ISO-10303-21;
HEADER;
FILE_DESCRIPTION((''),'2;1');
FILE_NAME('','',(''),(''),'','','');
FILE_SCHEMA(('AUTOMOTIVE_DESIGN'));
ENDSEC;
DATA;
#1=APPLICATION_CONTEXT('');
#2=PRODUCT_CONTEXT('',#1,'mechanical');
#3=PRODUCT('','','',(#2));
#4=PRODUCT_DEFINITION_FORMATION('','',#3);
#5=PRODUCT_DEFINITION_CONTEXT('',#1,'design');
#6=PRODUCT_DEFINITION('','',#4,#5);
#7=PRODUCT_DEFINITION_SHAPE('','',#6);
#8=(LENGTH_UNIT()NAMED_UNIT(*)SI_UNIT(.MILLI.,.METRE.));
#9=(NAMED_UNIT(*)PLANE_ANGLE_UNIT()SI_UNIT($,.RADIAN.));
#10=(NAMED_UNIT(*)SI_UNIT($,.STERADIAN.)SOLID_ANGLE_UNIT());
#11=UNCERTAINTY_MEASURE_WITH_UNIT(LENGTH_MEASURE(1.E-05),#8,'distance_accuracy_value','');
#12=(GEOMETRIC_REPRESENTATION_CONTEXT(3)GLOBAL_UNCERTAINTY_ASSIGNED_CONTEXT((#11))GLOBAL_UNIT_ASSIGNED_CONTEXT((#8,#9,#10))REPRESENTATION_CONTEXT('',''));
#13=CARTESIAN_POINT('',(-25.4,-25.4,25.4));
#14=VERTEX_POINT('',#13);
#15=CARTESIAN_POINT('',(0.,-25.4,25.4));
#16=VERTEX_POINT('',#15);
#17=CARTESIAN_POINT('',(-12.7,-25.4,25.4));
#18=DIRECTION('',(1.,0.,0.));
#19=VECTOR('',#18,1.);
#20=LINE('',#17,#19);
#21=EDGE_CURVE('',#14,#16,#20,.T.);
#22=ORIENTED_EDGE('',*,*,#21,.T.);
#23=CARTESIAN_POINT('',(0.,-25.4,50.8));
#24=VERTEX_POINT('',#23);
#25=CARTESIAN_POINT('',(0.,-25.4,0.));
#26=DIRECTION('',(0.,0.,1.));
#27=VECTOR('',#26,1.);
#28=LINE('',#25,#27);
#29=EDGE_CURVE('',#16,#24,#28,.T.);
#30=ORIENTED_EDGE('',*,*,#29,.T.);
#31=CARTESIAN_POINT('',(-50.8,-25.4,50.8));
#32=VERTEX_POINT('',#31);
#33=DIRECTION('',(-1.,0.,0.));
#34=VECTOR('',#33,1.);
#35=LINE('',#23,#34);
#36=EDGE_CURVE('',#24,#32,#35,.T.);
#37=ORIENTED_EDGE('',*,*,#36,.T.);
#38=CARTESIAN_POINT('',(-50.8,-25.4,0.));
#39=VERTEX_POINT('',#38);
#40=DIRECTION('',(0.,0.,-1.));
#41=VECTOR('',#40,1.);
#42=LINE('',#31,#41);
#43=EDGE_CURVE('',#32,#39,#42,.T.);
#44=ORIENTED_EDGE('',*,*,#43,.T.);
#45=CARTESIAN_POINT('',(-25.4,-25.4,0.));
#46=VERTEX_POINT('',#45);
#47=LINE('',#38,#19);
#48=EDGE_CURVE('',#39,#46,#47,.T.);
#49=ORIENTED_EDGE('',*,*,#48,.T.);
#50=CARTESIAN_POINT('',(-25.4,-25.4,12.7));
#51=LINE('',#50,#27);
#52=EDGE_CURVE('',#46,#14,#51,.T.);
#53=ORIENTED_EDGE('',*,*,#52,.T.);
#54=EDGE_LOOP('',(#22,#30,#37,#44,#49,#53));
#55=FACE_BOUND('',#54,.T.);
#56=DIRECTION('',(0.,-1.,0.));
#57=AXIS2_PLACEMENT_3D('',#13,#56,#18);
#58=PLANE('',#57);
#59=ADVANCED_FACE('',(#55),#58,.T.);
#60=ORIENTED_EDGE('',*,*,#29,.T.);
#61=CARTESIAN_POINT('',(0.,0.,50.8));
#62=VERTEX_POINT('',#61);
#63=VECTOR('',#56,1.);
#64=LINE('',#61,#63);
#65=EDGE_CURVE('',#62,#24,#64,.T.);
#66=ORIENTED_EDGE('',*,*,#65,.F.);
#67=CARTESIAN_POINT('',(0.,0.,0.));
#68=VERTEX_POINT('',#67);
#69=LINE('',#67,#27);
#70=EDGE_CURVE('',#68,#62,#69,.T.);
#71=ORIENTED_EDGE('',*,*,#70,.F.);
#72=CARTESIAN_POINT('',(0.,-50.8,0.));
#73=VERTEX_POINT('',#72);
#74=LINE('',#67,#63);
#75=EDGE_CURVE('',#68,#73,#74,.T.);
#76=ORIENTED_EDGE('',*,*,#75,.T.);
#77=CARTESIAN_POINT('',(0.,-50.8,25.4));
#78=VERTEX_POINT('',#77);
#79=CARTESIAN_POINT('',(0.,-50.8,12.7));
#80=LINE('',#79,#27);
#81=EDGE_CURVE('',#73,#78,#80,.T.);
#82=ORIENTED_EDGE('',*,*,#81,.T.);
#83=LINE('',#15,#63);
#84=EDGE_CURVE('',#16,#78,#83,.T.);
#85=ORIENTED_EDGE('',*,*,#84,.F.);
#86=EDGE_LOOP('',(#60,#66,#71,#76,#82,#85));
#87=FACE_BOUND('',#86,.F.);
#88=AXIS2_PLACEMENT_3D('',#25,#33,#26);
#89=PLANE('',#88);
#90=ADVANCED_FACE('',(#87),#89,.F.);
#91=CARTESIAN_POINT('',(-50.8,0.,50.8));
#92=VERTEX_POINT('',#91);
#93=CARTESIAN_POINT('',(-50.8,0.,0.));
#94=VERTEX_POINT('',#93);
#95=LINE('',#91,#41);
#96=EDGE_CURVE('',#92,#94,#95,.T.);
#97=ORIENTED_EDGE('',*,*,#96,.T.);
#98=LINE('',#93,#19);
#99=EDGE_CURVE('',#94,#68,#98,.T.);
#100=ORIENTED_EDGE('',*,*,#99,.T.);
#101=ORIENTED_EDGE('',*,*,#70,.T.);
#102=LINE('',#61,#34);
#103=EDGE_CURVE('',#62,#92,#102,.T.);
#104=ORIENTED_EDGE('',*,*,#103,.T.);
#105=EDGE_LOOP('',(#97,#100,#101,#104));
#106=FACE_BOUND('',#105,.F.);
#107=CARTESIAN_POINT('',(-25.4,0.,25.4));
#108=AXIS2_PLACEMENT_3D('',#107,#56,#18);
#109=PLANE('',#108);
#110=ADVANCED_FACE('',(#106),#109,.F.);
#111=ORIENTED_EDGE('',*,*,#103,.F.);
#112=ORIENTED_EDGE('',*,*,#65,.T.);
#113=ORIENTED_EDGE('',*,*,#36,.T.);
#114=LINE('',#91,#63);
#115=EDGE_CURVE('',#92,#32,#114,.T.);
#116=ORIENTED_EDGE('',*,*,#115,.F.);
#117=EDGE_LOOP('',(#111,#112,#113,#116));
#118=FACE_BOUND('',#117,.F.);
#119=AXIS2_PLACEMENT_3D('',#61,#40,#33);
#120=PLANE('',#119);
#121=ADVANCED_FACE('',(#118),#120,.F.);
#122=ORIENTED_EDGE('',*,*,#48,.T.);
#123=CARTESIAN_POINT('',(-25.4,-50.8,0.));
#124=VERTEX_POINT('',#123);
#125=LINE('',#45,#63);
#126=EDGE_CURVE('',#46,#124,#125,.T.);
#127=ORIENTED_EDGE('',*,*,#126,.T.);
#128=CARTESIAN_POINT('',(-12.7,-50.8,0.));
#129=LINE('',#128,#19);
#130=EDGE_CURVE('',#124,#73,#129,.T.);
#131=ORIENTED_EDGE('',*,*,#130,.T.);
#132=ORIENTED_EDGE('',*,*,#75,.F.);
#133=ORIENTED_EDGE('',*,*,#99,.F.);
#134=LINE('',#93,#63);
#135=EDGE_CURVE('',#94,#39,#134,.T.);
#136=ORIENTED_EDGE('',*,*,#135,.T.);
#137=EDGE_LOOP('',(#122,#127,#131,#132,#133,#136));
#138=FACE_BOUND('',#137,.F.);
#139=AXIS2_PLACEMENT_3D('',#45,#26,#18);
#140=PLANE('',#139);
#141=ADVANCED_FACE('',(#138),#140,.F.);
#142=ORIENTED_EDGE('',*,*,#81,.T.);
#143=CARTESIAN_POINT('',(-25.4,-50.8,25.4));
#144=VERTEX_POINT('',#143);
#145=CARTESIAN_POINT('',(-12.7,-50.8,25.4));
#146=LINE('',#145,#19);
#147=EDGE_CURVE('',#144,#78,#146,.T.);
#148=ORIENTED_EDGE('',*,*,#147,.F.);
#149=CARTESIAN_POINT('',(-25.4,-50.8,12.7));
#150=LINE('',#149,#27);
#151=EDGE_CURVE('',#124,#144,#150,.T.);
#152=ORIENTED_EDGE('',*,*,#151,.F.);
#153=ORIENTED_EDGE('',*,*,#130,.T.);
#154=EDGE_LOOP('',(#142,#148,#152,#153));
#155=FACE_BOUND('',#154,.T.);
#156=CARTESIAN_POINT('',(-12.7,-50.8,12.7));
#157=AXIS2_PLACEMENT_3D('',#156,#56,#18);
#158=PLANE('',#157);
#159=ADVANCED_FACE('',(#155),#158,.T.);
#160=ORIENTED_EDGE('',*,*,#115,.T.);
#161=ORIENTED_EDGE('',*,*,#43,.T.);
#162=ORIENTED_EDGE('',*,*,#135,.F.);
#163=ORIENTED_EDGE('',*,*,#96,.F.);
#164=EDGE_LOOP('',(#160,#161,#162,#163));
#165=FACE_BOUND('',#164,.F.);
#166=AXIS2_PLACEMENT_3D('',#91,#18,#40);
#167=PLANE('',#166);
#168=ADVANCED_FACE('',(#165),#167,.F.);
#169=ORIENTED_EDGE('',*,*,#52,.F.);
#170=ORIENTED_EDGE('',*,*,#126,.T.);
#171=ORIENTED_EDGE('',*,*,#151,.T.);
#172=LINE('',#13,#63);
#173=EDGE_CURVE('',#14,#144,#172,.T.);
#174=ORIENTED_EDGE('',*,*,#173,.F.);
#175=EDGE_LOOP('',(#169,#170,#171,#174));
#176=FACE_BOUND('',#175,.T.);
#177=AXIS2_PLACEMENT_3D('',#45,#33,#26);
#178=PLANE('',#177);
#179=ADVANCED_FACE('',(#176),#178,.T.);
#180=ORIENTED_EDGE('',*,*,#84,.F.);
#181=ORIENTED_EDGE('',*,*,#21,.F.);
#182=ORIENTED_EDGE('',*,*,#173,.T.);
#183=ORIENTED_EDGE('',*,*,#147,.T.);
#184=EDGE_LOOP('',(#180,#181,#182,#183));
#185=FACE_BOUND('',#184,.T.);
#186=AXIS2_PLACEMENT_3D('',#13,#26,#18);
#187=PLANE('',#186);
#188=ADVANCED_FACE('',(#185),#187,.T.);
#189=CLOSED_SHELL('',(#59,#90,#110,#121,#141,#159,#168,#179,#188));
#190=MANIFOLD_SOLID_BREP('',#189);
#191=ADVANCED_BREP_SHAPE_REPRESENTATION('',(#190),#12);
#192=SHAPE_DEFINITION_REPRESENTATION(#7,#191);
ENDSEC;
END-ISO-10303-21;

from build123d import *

# Parameters (mm, degrees)
F1_DEPTH = 25.4
F2_W     = 25.4
F2_H     = 25.4
F3_DEPTH = 25.4


with BuildPart() as f1:
    # F0 (on Front) → F1 (new body)
    with BuildSketch(Plane.XZ):
        Polygon((-50.8, 0), (0, 0), (0, 50.8), (-50.8, 50.8), (-50.8, 41.370533), align=None)
    extrude(amount=F1_DEPTH)

    # F2 (on face) → F3 (join)
    with BuildSketch(Plane.XZ.offset(25.4)):
        with Locations((-12.7, 12.7)):
            Rectangle(F2_W, F2_H)
    extrude(amount=F3_DEPTH)


solid = f1.part
